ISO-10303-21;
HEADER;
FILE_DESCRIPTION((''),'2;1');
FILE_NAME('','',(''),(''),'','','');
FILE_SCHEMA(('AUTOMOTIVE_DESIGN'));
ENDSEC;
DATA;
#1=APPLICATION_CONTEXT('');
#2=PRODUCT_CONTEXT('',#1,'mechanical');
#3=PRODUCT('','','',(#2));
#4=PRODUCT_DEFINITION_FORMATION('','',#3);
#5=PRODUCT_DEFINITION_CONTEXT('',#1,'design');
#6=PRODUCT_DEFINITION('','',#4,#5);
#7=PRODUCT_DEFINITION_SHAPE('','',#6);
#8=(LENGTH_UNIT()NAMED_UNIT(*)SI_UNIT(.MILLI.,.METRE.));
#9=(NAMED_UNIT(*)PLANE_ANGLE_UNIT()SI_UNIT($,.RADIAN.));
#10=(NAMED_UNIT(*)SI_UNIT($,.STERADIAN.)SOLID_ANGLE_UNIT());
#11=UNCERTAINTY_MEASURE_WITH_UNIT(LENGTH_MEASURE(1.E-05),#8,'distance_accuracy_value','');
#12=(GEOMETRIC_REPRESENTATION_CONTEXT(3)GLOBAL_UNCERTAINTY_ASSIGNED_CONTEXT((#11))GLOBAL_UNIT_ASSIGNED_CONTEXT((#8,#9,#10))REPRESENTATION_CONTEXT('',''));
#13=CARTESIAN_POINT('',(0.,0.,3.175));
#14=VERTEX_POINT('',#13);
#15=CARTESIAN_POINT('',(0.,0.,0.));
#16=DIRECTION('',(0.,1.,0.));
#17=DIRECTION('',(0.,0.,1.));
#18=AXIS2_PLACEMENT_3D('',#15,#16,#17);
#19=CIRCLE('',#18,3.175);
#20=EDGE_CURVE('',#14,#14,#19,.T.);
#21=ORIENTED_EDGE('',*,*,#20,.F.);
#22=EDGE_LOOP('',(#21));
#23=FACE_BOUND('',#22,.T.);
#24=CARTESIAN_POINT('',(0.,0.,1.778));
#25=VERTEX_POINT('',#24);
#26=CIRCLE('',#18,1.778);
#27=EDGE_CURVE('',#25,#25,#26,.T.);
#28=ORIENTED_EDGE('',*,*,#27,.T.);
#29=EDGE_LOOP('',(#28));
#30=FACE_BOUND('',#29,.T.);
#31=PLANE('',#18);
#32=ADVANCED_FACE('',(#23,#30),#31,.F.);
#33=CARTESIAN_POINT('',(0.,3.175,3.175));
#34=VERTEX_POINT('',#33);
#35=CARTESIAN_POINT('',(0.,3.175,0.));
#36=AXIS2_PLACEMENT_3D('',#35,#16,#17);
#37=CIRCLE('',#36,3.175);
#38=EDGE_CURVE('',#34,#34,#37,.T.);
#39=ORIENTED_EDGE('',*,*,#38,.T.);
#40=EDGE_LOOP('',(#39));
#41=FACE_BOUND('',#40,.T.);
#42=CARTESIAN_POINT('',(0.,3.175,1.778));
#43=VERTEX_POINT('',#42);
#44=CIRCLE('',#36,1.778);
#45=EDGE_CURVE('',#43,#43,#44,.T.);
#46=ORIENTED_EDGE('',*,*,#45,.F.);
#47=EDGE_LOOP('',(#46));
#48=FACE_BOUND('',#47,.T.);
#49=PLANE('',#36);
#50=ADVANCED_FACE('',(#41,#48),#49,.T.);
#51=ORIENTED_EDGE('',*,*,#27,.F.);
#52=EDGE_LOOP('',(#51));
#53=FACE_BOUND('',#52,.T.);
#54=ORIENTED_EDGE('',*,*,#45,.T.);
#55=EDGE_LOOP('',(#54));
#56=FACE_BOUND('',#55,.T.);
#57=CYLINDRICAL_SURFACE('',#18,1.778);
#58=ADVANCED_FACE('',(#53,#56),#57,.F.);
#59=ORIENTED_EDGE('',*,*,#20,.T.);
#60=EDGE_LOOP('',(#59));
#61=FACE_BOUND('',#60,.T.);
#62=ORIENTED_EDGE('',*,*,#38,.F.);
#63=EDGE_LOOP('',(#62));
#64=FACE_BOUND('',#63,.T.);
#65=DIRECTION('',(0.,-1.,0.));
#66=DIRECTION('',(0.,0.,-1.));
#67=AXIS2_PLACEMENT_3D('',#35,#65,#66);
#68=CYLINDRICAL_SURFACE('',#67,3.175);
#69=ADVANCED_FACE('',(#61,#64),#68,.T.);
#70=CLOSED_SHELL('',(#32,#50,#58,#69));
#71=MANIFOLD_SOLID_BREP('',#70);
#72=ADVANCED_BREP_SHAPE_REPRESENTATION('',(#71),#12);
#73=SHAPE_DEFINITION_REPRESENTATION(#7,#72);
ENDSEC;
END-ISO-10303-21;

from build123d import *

# Parameters (mm, degrees)
SKETCH1_R           = 3.175
BOSS_EXTRUDE1_DEPTH = 3.175
SKETCH2_R           = 1.778
CUT_EXTRUDE1_DEPTH  = 4.175


with BuildPart() as part:
    # Sketch1 → Boss-Extrude1 (new body)
    with BuildSketch(Plane(origin=(0, 0, 0), x_dir=(1, 0, 0), z_dir=(0, 1, 0))):
        Circle(SKETCH1_R)
    extrude(amount=BOSS_EXTRUDE1_DEPTH)

    # Sketch2 → Cut-Extrude1 (cut, through all)
    with BuildSketch(Plane(origin=(0, 3.175, 0), x_dir=(1, 0, 0), z_dir=(0, 1, 0))):
        Circle(SKETCH2_R)
    extrude(amount=-CUT_EXTRUDE1_DEPTH, mode=Mode.SUBTRACT)


solid = part.part
